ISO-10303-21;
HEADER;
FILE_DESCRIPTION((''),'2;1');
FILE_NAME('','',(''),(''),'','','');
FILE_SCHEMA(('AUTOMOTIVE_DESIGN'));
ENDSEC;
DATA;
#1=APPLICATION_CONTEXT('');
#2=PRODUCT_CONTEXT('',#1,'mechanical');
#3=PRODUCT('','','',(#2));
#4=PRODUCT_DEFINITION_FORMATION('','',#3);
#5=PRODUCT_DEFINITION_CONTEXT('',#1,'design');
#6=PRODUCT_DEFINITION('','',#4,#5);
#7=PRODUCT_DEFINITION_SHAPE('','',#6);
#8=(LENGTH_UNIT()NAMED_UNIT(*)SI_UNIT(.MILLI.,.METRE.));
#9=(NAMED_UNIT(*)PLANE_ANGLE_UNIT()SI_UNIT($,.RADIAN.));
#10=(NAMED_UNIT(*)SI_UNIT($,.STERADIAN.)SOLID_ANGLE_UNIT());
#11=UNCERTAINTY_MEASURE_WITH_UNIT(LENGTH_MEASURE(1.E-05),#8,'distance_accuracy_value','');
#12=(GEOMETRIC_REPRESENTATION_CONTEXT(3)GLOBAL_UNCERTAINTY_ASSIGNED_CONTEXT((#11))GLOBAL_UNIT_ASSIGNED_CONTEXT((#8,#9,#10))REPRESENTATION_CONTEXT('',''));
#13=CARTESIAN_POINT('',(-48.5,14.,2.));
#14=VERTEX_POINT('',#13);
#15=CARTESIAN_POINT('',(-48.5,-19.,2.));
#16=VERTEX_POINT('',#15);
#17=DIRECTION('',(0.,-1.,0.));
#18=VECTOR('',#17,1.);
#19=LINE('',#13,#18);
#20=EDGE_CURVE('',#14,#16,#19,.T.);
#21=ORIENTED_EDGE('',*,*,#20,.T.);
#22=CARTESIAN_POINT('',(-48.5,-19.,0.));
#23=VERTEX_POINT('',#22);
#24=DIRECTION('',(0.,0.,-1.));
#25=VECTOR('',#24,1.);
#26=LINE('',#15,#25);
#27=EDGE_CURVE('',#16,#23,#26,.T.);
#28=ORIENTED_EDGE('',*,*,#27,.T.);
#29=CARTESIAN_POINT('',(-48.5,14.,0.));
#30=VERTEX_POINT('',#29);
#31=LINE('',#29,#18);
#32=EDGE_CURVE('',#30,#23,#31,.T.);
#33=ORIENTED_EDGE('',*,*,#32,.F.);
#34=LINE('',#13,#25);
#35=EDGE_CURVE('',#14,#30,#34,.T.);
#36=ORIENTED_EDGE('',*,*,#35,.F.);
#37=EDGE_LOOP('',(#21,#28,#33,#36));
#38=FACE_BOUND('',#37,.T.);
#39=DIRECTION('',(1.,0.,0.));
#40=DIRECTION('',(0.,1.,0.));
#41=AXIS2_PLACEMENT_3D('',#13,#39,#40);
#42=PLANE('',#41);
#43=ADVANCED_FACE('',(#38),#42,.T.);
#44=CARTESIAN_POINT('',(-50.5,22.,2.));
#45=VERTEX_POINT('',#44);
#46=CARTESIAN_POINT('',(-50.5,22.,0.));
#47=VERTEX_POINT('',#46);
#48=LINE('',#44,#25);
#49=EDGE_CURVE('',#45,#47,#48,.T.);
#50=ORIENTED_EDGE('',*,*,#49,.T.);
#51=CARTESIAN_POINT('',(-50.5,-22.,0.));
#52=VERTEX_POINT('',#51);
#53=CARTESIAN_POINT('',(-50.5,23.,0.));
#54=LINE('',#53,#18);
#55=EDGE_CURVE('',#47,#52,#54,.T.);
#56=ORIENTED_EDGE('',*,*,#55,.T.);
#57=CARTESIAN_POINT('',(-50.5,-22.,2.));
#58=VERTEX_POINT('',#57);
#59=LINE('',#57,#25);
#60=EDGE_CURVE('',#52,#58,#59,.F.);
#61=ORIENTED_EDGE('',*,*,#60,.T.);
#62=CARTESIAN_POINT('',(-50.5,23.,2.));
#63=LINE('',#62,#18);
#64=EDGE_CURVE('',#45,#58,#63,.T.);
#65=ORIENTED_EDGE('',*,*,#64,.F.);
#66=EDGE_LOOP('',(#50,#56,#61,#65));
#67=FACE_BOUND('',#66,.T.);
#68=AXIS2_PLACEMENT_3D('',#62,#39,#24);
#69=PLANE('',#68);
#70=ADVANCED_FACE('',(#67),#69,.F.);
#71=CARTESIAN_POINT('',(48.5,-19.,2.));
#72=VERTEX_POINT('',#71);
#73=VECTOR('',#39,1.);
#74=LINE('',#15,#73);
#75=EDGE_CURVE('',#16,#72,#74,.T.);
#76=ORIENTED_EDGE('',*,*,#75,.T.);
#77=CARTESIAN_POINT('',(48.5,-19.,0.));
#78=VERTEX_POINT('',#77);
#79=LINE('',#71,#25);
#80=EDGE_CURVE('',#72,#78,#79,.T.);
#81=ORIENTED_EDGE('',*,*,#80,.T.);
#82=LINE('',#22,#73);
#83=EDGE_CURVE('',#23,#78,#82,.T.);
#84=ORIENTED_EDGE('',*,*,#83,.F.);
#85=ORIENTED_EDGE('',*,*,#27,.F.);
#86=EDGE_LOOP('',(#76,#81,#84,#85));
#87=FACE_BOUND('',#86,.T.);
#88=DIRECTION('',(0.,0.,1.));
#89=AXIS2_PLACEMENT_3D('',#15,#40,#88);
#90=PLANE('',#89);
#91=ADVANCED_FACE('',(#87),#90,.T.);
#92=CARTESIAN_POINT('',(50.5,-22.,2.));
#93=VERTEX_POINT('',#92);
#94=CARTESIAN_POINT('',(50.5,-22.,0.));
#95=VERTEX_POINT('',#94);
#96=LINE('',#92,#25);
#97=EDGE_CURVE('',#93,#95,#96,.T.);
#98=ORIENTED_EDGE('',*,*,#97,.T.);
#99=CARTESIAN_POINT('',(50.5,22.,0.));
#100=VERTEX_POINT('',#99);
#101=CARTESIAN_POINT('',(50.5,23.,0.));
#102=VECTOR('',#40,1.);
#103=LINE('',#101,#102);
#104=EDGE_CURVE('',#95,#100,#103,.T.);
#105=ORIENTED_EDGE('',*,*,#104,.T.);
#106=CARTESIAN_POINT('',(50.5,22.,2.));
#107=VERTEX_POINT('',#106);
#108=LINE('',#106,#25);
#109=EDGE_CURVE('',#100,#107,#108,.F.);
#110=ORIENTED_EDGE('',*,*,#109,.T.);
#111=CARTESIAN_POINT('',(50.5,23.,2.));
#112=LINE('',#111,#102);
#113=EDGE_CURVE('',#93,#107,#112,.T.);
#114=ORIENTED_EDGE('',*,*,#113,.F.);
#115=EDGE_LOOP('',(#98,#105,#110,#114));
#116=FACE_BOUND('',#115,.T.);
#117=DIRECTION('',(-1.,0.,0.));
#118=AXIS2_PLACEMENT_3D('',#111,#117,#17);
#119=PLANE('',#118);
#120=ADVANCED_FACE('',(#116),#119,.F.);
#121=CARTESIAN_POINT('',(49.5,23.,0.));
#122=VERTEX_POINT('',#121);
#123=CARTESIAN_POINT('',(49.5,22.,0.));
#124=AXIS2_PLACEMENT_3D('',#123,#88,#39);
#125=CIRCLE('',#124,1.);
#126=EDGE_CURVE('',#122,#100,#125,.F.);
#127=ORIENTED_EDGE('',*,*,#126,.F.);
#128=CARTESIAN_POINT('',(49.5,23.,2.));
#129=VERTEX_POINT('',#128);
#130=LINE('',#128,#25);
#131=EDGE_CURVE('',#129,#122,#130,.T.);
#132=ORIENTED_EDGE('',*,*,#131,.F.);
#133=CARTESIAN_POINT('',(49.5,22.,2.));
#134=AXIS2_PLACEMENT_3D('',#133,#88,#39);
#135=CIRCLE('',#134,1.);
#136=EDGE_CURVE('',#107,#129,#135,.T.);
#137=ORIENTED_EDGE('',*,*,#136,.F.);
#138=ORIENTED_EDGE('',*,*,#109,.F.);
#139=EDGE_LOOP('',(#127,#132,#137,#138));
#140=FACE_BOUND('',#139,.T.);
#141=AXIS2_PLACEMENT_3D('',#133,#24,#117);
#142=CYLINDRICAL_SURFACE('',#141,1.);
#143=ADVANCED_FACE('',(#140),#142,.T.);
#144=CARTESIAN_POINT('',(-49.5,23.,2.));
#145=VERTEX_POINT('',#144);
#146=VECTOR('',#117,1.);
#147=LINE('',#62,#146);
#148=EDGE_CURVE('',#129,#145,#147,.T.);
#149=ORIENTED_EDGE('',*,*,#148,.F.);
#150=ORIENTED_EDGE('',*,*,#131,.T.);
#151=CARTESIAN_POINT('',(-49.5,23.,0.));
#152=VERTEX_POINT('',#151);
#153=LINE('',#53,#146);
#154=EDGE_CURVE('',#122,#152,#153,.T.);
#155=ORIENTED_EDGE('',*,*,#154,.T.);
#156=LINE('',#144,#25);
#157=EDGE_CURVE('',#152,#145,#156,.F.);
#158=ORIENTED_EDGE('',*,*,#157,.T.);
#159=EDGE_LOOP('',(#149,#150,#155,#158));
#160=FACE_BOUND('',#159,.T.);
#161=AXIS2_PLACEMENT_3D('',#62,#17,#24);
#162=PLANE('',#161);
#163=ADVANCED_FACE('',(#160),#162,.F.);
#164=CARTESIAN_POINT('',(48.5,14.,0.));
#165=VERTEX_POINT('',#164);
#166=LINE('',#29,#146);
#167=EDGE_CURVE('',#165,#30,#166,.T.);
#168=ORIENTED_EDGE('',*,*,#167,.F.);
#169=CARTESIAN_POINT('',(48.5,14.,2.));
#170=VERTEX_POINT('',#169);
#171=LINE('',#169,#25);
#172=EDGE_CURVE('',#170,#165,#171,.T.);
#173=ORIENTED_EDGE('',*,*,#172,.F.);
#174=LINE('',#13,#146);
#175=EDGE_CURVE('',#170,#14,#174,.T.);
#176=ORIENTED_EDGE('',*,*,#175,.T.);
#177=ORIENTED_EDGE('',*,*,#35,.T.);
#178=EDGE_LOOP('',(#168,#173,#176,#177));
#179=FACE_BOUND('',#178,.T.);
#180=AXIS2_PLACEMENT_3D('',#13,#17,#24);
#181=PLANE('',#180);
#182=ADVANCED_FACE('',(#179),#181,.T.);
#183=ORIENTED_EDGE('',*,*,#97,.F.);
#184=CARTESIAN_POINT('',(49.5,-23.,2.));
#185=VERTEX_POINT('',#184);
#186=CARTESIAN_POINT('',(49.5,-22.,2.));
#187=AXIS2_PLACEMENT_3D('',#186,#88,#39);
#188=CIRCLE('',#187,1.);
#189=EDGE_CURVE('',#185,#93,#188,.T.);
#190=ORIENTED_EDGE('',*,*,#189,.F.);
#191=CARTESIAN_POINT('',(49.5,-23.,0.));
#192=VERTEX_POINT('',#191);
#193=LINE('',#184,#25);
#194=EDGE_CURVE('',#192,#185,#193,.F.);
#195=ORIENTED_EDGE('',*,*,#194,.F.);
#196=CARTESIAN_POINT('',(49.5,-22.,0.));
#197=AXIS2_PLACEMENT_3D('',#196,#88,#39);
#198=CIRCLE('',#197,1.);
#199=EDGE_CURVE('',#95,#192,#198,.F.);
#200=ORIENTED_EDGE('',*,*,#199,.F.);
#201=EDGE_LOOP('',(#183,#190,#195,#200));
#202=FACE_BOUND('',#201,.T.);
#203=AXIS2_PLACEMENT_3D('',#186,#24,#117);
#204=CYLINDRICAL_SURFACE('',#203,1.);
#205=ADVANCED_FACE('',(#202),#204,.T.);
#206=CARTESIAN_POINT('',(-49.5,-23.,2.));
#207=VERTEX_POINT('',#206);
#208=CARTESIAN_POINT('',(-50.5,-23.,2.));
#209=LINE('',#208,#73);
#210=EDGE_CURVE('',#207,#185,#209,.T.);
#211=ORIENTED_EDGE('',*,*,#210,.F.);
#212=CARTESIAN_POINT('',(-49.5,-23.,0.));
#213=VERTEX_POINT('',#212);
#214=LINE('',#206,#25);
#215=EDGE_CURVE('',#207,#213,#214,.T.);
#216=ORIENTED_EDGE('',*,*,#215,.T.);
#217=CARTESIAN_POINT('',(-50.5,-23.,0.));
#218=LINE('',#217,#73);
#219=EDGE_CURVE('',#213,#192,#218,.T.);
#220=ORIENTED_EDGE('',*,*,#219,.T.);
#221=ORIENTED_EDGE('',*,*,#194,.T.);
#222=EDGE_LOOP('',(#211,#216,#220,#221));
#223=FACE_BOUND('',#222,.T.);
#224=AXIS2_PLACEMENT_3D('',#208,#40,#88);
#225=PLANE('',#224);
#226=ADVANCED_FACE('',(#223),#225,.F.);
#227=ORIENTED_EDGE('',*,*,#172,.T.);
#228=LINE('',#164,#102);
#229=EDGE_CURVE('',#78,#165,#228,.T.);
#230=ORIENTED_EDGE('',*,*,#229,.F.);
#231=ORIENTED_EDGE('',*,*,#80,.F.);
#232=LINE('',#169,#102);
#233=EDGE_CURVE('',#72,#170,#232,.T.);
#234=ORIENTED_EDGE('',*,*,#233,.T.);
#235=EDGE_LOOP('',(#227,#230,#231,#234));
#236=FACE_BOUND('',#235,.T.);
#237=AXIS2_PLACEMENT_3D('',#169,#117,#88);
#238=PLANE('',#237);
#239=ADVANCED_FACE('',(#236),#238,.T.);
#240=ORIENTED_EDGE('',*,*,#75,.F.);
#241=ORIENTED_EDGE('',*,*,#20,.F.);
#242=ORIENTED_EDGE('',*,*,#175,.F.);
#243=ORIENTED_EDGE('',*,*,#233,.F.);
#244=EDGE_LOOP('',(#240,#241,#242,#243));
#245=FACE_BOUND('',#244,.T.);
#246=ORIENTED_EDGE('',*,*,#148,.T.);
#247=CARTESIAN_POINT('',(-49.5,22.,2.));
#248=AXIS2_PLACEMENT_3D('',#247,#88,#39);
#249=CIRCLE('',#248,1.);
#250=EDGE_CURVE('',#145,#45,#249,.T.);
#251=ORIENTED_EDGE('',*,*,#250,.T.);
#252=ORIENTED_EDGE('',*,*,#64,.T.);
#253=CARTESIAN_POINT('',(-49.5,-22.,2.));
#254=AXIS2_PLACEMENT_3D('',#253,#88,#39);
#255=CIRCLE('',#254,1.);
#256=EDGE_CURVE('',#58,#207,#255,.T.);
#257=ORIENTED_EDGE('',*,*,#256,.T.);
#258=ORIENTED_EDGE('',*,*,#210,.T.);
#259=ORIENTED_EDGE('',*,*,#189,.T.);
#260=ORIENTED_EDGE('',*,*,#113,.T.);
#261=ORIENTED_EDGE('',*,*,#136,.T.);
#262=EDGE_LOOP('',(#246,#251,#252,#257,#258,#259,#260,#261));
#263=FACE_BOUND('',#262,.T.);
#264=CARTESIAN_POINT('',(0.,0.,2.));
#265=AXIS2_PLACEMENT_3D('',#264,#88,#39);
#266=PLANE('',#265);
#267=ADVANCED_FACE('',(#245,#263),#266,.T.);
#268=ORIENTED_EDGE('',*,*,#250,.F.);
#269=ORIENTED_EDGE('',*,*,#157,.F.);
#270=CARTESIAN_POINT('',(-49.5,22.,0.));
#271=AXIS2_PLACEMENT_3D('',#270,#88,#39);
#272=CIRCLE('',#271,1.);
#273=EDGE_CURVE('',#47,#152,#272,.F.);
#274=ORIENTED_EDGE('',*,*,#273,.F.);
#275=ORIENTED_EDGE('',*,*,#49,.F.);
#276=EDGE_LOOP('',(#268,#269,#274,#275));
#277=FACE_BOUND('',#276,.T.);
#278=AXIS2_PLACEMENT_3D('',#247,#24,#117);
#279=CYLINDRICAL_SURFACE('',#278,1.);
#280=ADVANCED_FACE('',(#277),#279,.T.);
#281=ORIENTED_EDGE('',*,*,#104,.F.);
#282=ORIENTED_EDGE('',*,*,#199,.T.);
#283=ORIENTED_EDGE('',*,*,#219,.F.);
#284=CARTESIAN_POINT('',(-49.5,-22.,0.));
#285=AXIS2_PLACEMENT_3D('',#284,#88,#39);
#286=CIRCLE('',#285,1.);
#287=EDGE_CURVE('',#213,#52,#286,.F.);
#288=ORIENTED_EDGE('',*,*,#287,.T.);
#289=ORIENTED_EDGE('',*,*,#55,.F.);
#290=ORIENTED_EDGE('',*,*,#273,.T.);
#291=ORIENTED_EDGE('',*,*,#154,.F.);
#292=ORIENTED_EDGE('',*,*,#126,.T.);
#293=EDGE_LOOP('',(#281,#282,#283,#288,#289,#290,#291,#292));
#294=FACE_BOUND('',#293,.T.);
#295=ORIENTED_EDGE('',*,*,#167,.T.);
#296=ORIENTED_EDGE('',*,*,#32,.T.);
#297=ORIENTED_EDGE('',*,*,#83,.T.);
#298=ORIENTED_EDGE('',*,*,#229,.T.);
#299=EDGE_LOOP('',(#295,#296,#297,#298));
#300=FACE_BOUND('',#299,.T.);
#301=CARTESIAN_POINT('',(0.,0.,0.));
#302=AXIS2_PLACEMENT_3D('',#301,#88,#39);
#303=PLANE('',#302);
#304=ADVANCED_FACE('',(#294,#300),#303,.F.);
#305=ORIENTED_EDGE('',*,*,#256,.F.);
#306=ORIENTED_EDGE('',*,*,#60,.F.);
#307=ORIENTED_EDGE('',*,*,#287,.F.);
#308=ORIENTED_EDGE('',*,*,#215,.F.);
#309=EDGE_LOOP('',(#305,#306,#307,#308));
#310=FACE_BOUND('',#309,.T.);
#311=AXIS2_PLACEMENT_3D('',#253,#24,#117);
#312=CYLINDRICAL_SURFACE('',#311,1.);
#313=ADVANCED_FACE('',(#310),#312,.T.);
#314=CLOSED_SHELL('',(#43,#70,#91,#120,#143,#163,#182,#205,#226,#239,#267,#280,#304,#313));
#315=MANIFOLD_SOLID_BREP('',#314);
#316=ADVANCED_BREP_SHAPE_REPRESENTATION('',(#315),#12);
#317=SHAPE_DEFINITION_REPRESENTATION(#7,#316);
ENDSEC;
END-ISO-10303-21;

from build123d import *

# Parameters (mm, degrees)
SKETCH_1_W      = 101
SKETCH_1_H      = 46
SKETCH_1_W_2    = 97
SKETCH_1_H_2    = 33
EXTRUDE_1_DEPTH = 2
FILLET_1_R      = 1
FILLET_2_R      = 1


with BuildPart() as part:
    # 草图1 → 凸台-拉伸1 (new body)
    with BuildSketch(Plane.XY):
        Rectangle(SKETCH_1_W, SKETCH_1_H)
        with Locations((0, -2.5)):
            Rectangle(SKETCH_1_W_2, SKETCH_1_H_2, mode=Mode.SUBTRACT)
    extrude(amount=EXTRUDE_1_DEPTH)

    # 圆角1
    fillet_1_edges = [part.edges().sort_by_distance(p)[0] for p in [
        (-50.5, 23, 1),
    ]]
    fillet(fillet_1_edges, radius=FILLET_1_R)

    # 圆角2
    fillet_2_edges = [part.edges().sort_by_distance(p)[0] for p in [
        (50.5, -23, 1),
        (-50.5, -23, 1),
        (50.5, 23, 1),
    ]]
    fillet(fillet_2_edges, radius=FILLET_2_R)


solid = part.part
